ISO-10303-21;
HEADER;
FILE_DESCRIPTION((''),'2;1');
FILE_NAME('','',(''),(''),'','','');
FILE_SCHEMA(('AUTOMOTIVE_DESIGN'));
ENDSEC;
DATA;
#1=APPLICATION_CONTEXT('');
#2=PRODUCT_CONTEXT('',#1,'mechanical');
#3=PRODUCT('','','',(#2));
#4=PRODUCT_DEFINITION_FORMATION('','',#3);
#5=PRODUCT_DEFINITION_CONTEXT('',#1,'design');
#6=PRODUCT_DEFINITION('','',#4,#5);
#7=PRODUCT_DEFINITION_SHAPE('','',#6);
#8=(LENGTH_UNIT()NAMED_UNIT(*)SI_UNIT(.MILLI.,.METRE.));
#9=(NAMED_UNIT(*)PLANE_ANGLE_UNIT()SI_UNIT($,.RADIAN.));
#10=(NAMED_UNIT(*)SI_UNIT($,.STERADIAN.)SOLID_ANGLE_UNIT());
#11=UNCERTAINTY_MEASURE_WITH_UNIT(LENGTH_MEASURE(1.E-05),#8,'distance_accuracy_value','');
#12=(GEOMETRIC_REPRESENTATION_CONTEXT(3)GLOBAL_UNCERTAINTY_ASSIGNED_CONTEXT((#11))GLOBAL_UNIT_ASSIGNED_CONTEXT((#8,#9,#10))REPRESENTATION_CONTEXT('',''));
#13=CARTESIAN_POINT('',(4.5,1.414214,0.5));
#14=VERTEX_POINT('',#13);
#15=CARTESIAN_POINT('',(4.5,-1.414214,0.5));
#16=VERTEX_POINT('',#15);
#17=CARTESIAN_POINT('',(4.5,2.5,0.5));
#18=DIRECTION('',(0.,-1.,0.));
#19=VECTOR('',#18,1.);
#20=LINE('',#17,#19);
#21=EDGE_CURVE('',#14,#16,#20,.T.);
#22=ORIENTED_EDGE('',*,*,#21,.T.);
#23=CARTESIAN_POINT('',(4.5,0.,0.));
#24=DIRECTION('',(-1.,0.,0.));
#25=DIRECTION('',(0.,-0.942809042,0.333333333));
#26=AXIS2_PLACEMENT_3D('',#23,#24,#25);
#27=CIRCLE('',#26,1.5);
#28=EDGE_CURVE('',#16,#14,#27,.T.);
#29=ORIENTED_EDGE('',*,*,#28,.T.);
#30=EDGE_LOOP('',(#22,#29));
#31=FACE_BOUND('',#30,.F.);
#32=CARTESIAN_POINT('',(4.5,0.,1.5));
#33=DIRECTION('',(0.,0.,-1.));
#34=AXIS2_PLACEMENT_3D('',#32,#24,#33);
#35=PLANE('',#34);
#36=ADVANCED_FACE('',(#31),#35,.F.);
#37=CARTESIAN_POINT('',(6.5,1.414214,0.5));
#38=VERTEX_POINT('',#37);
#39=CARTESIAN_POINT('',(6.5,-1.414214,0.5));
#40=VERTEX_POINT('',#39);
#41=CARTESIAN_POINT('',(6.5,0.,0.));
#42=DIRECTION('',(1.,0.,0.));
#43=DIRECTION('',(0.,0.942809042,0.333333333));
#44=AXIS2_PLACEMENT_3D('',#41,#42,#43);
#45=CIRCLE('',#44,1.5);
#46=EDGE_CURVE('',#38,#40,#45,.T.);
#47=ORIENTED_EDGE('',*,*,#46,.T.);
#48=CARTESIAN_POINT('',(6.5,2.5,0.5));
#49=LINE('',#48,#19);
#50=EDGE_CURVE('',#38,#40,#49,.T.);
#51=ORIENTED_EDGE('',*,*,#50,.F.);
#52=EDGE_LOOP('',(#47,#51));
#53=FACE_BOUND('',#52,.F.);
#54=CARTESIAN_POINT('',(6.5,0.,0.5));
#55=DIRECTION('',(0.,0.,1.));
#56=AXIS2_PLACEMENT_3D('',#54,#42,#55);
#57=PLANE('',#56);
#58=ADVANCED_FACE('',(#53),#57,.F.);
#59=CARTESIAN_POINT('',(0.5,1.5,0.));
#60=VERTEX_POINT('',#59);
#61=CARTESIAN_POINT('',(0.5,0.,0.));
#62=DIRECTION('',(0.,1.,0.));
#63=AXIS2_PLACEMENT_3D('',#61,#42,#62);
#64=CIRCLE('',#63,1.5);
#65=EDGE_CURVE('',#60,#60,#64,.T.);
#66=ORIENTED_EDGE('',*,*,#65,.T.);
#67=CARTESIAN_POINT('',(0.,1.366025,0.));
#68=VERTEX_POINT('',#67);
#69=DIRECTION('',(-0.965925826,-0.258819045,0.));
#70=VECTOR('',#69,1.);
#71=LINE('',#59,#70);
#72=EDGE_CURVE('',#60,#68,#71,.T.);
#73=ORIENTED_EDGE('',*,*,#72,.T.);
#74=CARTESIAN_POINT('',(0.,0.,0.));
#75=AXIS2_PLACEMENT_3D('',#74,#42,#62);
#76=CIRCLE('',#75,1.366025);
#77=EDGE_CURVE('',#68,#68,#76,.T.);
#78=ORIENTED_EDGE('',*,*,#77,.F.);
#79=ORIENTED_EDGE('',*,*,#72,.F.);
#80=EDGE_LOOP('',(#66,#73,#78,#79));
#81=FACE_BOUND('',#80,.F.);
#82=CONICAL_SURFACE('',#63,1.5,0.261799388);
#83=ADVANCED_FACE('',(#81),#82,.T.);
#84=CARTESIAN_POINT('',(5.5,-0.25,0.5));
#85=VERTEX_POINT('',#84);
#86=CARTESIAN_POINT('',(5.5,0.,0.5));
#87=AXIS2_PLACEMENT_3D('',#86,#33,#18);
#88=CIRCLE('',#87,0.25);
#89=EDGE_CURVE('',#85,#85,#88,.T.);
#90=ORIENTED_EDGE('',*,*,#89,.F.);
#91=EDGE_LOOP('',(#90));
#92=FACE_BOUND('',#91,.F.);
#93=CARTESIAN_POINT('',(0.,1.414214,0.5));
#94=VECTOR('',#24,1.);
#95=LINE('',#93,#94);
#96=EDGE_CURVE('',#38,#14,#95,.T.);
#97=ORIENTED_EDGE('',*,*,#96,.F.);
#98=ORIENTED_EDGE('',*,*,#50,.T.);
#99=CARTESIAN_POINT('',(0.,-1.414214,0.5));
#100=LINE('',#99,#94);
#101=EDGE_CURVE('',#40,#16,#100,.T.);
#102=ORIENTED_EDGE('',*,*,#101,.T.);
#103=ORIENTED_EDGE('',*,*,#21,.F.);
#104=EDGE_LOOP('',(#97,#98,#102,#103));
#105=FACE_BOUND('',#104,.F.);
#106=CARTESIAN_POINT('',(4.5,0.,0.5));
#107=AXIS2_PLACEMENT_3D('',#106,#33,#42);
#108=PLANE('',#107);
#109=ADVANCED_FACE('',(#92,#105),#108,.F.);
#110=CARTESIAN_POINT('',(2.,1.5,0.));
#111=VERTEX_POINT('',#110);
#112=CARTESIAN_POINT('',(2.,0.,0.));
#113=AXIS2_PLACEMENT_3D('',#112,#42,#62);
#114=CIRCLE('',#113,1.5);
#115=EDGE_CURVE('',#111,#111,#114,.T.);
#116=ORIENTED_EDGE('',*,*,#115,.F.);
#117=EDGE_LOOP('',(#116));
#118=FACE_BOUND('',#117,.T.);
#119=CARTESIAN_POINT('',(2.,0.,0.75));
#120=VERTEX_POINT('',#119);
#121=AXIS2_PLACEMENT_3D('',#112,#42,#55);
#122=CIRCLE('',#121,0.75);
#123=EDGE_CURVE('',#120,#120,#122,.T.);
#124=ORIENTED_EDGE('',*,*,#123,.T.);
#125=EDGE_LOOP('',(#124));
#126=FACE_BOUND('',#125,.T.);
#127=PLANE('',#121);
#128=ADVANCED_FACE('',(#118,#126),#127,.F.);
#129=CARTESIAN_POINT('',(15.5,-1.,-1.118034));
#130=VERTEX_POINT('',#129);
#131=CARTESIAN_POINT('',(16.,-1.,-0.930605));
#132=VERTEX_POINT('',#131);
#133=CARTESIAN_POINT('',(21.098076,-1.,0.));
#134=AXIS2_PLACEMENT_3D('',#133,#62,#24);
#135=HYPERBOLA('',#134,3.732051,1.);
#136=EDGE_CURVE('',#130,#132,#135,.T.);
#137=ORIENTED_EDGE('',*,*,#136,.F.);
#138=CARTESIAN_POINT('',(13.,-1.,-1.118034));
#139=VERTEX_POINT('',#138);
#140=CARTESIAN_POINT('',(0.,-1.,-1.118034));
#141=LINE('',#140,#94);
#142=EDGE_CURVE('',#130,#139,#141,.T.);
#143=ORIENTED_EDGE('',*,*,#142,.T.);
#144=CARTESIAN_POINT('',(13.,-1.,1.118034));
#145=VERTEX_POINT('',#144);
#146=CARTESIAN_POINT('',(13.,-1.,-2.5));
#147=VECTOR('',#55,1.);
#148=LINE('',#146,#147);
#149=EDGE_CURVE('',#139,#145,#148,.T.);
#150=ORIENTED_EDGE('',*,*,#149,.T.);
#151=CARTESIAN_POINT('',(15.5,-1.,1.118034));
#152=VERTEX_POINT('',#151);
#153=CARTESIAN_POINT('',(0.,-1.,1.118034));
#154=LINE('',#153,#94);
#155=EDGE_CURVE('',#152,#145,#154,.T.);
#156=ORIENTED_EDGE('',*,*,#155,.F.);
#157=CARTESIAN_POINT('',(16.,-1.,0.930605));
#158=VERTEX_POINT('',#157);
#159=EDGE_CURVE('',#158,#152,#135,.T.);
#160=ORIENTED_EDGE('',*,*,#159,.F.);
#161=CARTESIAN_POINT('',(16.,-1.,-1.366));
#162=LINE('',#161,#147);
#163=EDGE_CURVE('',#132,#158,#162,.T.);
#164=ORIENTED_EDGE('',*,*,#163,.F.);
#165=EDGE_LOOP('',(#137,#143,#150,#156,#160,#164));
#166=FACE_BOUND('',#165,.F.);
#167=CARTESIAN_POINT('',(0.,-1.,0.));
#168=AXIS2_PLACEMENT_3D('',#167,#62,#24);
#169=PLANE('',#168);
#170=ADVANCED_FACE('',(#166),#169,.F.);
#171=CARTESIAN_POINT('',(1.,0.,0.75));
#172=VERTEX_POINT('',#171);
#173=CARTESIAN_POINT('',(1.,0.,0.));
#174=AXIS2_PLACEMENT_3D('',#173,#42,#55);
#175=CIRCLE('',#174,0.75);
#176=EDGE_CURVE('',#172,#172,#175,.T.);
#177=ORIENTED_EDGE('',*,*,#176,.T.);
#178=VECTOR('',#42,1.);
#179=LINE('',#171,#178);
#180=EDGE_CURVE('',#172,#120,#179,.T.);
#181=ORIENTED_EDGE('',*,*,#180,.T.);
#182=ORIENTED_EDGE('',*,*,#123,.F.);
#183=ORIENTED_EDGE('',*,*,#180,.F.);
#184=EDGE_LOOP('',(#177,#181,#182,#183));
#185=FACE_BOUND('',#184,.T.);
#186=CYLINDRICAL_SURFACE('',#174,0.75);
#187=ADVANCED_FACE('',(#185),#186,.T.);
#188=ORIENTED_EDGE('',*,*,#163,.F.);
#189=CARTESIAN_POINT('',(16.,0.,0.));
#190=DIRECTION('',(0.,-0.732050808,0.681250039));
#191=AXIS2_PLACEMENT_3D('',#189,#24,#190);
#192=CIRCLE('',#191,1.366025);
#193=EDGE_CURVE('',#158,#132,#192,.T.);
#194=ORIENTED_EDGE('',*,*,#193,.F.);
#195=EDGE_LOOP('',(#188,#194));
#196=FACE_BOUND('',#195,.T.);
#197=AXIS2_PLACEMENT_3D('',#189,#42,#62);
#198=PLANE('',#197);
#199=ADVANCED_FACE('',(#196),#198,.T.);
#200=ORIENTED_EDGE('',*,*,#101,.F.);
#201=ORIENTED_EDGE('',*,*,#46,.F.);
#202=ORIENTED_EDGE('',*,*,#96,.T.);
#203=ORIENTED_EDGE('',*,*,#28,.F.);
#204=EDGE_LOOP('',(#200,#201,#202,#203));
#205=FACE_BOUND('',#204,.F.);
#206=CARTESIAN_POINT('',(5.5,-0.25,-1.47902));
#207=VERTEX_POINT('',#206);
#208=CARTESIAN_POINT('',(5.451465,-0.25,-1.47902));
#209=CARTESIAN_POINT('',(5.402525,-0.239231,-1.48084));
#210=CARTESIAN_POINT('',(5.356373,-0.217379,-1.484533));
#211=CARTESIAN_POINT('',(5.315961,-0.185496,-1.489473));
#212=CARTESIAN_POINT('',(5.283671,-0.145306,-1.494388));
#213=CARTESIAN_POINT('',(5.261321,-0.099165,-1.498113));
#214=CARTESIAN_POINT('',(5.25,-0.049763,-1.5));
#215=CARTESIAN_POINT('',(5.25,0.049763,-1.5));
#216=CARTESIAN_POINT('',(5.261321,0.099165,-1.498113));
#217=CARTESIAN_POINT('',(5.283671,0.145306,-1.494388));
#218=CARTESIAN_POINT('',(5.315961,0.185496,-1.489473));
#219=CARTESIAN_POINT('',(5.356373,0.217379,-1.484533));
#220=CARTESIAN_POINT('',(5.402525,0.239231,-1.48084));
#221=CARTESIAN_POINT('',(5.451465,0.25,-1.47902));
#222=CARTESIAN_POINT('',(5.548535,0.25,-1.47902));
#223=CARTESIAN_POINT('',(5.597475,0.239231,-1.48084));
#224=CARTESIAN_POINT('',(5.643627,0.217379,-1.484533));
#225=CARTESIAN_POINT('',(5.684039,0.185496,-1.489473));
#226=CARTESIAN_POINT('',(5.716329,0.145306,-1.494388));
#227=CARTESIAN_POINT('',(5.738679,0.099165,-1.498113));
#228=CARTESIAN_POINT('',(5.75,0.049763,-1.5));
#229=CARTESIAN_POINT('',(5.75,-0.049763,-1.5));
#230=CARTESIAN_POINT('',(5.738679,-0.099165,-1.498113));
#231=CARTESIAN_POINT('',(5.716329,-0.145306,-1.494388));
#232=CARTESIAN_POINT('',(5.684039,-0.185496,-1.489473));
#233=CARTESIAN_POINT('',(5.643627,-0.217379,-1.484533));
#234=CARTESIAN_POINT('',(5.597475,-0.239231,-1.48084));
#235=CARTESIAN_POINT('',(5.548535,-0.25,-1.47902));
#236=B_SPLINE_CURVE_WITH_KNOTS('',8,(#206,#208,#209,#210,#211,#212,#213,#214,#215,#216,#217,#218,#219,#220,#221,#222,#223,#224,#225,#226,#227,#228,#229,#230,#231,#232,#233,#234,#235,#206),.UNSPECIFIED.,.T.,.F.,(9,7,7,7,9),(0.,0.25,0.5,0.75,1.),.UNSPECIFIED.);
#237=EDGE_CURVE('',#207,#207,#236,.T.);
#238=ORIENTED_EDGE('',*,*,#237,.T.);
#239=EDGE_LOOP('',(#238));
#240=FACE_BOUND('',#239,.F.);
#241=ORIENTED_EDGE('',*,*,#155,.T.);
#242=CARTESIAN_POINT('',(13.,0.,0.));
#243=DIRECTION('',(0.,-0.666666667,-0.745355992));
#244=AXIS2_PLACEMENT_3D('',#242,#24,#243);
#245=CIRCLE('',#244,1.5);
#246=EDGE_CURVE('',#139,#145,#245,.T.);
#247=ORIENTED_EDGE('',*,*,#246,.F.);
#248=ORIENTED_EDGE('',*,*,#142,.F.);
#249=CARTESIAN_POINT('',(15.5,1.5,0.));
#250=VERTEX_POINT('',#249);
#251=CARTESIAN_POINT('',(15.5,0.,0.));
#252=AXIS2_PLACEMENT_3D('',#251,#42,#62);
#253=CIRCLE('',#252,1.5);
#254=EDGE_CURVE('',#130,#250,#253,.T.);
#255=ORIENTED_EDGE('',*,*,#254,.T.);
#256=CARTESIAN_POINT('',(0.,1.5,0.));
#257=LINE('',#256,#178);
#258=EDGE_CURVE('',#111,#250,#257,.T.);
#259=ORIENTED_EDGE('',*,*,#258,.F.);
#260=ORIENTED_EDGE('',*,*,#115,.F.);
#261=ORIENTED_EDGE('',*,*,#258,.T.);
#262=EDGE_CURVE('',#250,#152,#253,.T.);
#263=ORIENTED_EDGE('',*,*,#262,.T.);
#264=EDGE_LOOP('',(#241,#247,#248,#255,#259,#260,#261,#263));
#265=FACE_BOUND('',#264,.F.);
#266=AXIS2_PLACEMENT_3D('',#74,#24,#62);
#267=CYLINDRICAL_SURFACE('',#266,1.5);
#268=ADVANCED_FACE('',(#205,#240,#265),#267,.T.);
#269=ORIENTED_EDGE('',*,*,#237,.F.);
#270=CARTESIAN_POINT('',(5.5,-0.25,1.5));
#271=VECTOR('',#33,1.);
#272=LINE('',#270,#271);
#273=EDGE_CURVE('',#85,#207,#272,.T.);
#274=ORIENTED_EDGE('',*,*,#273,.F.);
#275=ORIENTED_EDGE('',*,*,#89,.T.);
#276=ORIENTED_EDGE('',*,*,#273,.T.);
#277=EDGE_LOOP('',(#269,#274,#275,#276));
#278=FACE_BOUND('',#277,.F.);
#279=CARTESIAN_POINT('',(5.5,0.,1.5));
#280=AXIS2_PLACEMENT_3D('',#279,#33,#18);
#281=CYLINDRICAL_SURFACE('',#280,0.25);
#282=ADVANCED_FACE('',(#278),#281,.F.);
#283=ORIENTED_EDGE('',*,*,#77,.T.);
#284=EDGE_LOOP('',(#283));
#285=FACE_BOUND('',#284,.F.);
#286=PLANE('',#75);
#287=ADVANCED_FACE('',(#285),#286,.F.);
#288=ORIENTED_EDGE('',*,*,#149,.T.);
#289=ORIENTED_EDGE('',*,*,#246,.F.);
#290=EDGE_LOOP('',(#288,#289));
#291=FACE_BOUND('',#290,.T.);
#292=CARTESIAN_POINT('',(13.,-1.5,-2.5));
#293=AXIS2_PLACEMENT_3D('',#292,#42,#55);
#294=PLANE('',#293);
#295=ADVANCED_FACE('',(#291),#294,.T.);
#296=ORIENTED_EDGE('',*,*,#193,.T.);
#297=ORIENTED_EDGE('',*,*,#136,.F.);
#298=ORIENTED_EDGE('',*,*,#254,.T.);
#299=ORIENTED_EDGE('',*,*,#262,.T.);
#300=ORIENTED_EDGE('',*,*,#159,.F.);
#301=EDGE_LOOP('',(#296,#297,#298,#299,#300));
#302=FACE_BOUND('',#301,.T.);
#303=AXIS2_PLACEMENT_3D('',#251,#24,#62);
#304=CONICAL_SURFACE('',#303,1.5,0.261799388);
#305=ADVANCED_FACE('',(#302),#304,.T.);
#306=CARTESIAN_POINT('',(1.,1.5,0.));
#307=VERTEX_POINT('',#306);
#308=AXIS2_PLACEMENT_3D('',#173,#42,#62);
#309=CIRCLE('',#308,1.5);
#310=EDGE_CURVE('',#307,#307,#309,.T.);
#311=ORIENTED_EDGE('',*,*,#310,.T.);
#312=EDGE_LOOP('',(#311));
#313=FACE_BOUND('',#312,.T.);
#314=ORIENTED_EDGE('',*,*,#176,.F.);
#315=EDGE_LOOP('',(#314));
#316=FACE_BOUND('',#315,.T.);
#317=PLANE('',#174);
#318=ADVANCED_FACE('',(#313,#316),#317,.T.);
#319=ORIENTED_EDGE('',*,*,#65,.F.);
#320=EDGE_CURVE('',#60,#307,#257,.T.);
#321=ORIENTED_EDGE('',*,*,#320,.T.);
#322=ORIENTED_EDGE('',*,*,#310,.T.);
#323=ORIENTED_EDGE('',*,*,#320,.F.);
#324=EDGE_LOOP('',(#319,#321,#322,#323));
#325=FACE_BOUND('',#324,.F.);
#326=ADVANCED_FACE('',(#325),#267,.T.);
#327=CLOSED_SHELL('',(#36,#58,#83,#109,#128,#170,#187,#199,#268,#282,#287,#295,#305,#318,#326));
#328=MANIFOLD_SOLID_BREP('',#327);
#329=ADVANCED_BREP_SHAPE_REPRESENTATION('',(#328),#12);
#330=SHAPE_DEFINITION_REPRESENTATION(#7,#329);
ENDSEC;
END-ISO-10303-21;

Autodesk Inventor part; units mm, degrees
ref_plane "YZ Plane" through (0, 0, 0) normal (1, 0, 0) x (0, 1, 0)
sketch "Skizze" plane through (0, 0, 0) normal (1, 0, 0) x (0, 1, 0)
  circle A0 centre (0, 0) radius 1.5
  dimension "d1" = 3
extrude "Körper" add sketch "Skizze" along normal blind 16
chamfer "Fase1" distance 0.5 angle 15 1 edges at (0, -1.5, 0) measured on face at (10.6667, 1.4951, -0.1207)
chamfer "Skizze2" distance 0.5 angle 15 1 edges at (16, -1.5, 0) measured on face at (10.8333, 1.4951, -0.1207)
ref_plane "Arbeitsebene1" through (0, 0, 1.5) normal (0, 0, 1) x (1, 0, 0)
sketch "Skizze3" plane through (0, 0, 1.5) normal (0, 0, 1) x (1, 0, 0)
  line L0 (0, -1.366) -> (0, 1.366) projected
  point P0 (0, 0)
  point P1 (5.5, 0)
  point P2 (0, 0)
  dimension "d18" = 5.5
hole "Bohrung1" at (5.5, 0, 1.5) direction (0, 0, -1) diameter 0.5 end through all
sketch "Skizze4" plane through (0, 0, 0) normal (0, 1, 0) x (-1, 0, 0)
  line L0 (-0.5, 1.5) -> (-15.5, 1.5) projected
  line L1 (-4.5, 1.5) -> (-4.5, 0.5)
  line L2 (-4.5, 0.5) -> (-6.5, 0.5)
  line L3 (-6.5, 0.5) -> (-6.5, 1.5)
  line L4 (0, 1.366) -> (0, -1.366) projected
  line L5 (-0.5, -1.5) -> (-15.5, -1.5) projected
  point P0 (0, 0)
  point P1 (-5.5, 0.5)
  dimension "d26" = 2
  dimension "d27" = 5.5
  dimension "d28" = 1
extrude "Extrusion2" cut sketch "Skizze4" along normal through all both and the other way through all
ref_plane "Arbeitsebene2" through (0, -1.5, 0) normal (0, 1, 0) x (-1, 0, 0)
sketch "Skizze5" plane through (0, -1.5, 0) normal (0, 1, 0) x (-1, 0, 0)
  line L0 (-16, -1.366) -> (-16, 1.366) projected
  line L1 (-13, 2.5) -> (-16, 2.5)
  line L2 (-16, 2.5) -> (-16, -2.5)
  line L3 (-16, -2.5) -> (-13, -2.5)
  line L4 (-13, -2.5) -> (-13, 2.5)
  point P0 (0, 0)
  point P1 (-16, 0)
  dimension "d32" = 3
  dimension "d33" = 5
extrude "Extrusion3" cut sketch "Skizze5" along normal blind 0.5
sketch "Skizze6" plane through (0, 0, 0) normal (0, 1, 0) x (-1, 0, 0)
  line L0 (-0.5, 1.5) -> (-15.5, 1.5) projected
  line L1 (-1, 1.5) -> (-1, 0.75)
  line L2 (-1, 0.75) -> (-2, 0.75)
  line L3 (-2, 0.75) -> (-2, 1.5)
  line L4 (0, 0) -> (-4.4819, 0)
  dimension "d36" = 1
  dimension "d37" = 1
  dimension "d38" = 0.75
revolve "Umdrehung1" cut sketch "Skizze6" angle 360 about axis through (0, 0, 0) along (1, 0, 0)
equation "\"d1\" = NND"
equation "\"d8\" = PHH"
equation "\"d9\" = FAWI"
equation "\"d12\" = PHH"
equation "\"d4\" = PHH"
equation "\"d5\" = FAWI"
equation "\"d11\" = PHH"
equation "\"NND\" = 3"
equation "\"NLG\" = 8"
equation "\"PHH\" = 0.5"
equation "\"FAWI\" = 15deg"
equation "\"KAH\" = 0"
properties part number "ISO 2338 - 3 m6 x 8" material "Edelstahl, austenitisch"
